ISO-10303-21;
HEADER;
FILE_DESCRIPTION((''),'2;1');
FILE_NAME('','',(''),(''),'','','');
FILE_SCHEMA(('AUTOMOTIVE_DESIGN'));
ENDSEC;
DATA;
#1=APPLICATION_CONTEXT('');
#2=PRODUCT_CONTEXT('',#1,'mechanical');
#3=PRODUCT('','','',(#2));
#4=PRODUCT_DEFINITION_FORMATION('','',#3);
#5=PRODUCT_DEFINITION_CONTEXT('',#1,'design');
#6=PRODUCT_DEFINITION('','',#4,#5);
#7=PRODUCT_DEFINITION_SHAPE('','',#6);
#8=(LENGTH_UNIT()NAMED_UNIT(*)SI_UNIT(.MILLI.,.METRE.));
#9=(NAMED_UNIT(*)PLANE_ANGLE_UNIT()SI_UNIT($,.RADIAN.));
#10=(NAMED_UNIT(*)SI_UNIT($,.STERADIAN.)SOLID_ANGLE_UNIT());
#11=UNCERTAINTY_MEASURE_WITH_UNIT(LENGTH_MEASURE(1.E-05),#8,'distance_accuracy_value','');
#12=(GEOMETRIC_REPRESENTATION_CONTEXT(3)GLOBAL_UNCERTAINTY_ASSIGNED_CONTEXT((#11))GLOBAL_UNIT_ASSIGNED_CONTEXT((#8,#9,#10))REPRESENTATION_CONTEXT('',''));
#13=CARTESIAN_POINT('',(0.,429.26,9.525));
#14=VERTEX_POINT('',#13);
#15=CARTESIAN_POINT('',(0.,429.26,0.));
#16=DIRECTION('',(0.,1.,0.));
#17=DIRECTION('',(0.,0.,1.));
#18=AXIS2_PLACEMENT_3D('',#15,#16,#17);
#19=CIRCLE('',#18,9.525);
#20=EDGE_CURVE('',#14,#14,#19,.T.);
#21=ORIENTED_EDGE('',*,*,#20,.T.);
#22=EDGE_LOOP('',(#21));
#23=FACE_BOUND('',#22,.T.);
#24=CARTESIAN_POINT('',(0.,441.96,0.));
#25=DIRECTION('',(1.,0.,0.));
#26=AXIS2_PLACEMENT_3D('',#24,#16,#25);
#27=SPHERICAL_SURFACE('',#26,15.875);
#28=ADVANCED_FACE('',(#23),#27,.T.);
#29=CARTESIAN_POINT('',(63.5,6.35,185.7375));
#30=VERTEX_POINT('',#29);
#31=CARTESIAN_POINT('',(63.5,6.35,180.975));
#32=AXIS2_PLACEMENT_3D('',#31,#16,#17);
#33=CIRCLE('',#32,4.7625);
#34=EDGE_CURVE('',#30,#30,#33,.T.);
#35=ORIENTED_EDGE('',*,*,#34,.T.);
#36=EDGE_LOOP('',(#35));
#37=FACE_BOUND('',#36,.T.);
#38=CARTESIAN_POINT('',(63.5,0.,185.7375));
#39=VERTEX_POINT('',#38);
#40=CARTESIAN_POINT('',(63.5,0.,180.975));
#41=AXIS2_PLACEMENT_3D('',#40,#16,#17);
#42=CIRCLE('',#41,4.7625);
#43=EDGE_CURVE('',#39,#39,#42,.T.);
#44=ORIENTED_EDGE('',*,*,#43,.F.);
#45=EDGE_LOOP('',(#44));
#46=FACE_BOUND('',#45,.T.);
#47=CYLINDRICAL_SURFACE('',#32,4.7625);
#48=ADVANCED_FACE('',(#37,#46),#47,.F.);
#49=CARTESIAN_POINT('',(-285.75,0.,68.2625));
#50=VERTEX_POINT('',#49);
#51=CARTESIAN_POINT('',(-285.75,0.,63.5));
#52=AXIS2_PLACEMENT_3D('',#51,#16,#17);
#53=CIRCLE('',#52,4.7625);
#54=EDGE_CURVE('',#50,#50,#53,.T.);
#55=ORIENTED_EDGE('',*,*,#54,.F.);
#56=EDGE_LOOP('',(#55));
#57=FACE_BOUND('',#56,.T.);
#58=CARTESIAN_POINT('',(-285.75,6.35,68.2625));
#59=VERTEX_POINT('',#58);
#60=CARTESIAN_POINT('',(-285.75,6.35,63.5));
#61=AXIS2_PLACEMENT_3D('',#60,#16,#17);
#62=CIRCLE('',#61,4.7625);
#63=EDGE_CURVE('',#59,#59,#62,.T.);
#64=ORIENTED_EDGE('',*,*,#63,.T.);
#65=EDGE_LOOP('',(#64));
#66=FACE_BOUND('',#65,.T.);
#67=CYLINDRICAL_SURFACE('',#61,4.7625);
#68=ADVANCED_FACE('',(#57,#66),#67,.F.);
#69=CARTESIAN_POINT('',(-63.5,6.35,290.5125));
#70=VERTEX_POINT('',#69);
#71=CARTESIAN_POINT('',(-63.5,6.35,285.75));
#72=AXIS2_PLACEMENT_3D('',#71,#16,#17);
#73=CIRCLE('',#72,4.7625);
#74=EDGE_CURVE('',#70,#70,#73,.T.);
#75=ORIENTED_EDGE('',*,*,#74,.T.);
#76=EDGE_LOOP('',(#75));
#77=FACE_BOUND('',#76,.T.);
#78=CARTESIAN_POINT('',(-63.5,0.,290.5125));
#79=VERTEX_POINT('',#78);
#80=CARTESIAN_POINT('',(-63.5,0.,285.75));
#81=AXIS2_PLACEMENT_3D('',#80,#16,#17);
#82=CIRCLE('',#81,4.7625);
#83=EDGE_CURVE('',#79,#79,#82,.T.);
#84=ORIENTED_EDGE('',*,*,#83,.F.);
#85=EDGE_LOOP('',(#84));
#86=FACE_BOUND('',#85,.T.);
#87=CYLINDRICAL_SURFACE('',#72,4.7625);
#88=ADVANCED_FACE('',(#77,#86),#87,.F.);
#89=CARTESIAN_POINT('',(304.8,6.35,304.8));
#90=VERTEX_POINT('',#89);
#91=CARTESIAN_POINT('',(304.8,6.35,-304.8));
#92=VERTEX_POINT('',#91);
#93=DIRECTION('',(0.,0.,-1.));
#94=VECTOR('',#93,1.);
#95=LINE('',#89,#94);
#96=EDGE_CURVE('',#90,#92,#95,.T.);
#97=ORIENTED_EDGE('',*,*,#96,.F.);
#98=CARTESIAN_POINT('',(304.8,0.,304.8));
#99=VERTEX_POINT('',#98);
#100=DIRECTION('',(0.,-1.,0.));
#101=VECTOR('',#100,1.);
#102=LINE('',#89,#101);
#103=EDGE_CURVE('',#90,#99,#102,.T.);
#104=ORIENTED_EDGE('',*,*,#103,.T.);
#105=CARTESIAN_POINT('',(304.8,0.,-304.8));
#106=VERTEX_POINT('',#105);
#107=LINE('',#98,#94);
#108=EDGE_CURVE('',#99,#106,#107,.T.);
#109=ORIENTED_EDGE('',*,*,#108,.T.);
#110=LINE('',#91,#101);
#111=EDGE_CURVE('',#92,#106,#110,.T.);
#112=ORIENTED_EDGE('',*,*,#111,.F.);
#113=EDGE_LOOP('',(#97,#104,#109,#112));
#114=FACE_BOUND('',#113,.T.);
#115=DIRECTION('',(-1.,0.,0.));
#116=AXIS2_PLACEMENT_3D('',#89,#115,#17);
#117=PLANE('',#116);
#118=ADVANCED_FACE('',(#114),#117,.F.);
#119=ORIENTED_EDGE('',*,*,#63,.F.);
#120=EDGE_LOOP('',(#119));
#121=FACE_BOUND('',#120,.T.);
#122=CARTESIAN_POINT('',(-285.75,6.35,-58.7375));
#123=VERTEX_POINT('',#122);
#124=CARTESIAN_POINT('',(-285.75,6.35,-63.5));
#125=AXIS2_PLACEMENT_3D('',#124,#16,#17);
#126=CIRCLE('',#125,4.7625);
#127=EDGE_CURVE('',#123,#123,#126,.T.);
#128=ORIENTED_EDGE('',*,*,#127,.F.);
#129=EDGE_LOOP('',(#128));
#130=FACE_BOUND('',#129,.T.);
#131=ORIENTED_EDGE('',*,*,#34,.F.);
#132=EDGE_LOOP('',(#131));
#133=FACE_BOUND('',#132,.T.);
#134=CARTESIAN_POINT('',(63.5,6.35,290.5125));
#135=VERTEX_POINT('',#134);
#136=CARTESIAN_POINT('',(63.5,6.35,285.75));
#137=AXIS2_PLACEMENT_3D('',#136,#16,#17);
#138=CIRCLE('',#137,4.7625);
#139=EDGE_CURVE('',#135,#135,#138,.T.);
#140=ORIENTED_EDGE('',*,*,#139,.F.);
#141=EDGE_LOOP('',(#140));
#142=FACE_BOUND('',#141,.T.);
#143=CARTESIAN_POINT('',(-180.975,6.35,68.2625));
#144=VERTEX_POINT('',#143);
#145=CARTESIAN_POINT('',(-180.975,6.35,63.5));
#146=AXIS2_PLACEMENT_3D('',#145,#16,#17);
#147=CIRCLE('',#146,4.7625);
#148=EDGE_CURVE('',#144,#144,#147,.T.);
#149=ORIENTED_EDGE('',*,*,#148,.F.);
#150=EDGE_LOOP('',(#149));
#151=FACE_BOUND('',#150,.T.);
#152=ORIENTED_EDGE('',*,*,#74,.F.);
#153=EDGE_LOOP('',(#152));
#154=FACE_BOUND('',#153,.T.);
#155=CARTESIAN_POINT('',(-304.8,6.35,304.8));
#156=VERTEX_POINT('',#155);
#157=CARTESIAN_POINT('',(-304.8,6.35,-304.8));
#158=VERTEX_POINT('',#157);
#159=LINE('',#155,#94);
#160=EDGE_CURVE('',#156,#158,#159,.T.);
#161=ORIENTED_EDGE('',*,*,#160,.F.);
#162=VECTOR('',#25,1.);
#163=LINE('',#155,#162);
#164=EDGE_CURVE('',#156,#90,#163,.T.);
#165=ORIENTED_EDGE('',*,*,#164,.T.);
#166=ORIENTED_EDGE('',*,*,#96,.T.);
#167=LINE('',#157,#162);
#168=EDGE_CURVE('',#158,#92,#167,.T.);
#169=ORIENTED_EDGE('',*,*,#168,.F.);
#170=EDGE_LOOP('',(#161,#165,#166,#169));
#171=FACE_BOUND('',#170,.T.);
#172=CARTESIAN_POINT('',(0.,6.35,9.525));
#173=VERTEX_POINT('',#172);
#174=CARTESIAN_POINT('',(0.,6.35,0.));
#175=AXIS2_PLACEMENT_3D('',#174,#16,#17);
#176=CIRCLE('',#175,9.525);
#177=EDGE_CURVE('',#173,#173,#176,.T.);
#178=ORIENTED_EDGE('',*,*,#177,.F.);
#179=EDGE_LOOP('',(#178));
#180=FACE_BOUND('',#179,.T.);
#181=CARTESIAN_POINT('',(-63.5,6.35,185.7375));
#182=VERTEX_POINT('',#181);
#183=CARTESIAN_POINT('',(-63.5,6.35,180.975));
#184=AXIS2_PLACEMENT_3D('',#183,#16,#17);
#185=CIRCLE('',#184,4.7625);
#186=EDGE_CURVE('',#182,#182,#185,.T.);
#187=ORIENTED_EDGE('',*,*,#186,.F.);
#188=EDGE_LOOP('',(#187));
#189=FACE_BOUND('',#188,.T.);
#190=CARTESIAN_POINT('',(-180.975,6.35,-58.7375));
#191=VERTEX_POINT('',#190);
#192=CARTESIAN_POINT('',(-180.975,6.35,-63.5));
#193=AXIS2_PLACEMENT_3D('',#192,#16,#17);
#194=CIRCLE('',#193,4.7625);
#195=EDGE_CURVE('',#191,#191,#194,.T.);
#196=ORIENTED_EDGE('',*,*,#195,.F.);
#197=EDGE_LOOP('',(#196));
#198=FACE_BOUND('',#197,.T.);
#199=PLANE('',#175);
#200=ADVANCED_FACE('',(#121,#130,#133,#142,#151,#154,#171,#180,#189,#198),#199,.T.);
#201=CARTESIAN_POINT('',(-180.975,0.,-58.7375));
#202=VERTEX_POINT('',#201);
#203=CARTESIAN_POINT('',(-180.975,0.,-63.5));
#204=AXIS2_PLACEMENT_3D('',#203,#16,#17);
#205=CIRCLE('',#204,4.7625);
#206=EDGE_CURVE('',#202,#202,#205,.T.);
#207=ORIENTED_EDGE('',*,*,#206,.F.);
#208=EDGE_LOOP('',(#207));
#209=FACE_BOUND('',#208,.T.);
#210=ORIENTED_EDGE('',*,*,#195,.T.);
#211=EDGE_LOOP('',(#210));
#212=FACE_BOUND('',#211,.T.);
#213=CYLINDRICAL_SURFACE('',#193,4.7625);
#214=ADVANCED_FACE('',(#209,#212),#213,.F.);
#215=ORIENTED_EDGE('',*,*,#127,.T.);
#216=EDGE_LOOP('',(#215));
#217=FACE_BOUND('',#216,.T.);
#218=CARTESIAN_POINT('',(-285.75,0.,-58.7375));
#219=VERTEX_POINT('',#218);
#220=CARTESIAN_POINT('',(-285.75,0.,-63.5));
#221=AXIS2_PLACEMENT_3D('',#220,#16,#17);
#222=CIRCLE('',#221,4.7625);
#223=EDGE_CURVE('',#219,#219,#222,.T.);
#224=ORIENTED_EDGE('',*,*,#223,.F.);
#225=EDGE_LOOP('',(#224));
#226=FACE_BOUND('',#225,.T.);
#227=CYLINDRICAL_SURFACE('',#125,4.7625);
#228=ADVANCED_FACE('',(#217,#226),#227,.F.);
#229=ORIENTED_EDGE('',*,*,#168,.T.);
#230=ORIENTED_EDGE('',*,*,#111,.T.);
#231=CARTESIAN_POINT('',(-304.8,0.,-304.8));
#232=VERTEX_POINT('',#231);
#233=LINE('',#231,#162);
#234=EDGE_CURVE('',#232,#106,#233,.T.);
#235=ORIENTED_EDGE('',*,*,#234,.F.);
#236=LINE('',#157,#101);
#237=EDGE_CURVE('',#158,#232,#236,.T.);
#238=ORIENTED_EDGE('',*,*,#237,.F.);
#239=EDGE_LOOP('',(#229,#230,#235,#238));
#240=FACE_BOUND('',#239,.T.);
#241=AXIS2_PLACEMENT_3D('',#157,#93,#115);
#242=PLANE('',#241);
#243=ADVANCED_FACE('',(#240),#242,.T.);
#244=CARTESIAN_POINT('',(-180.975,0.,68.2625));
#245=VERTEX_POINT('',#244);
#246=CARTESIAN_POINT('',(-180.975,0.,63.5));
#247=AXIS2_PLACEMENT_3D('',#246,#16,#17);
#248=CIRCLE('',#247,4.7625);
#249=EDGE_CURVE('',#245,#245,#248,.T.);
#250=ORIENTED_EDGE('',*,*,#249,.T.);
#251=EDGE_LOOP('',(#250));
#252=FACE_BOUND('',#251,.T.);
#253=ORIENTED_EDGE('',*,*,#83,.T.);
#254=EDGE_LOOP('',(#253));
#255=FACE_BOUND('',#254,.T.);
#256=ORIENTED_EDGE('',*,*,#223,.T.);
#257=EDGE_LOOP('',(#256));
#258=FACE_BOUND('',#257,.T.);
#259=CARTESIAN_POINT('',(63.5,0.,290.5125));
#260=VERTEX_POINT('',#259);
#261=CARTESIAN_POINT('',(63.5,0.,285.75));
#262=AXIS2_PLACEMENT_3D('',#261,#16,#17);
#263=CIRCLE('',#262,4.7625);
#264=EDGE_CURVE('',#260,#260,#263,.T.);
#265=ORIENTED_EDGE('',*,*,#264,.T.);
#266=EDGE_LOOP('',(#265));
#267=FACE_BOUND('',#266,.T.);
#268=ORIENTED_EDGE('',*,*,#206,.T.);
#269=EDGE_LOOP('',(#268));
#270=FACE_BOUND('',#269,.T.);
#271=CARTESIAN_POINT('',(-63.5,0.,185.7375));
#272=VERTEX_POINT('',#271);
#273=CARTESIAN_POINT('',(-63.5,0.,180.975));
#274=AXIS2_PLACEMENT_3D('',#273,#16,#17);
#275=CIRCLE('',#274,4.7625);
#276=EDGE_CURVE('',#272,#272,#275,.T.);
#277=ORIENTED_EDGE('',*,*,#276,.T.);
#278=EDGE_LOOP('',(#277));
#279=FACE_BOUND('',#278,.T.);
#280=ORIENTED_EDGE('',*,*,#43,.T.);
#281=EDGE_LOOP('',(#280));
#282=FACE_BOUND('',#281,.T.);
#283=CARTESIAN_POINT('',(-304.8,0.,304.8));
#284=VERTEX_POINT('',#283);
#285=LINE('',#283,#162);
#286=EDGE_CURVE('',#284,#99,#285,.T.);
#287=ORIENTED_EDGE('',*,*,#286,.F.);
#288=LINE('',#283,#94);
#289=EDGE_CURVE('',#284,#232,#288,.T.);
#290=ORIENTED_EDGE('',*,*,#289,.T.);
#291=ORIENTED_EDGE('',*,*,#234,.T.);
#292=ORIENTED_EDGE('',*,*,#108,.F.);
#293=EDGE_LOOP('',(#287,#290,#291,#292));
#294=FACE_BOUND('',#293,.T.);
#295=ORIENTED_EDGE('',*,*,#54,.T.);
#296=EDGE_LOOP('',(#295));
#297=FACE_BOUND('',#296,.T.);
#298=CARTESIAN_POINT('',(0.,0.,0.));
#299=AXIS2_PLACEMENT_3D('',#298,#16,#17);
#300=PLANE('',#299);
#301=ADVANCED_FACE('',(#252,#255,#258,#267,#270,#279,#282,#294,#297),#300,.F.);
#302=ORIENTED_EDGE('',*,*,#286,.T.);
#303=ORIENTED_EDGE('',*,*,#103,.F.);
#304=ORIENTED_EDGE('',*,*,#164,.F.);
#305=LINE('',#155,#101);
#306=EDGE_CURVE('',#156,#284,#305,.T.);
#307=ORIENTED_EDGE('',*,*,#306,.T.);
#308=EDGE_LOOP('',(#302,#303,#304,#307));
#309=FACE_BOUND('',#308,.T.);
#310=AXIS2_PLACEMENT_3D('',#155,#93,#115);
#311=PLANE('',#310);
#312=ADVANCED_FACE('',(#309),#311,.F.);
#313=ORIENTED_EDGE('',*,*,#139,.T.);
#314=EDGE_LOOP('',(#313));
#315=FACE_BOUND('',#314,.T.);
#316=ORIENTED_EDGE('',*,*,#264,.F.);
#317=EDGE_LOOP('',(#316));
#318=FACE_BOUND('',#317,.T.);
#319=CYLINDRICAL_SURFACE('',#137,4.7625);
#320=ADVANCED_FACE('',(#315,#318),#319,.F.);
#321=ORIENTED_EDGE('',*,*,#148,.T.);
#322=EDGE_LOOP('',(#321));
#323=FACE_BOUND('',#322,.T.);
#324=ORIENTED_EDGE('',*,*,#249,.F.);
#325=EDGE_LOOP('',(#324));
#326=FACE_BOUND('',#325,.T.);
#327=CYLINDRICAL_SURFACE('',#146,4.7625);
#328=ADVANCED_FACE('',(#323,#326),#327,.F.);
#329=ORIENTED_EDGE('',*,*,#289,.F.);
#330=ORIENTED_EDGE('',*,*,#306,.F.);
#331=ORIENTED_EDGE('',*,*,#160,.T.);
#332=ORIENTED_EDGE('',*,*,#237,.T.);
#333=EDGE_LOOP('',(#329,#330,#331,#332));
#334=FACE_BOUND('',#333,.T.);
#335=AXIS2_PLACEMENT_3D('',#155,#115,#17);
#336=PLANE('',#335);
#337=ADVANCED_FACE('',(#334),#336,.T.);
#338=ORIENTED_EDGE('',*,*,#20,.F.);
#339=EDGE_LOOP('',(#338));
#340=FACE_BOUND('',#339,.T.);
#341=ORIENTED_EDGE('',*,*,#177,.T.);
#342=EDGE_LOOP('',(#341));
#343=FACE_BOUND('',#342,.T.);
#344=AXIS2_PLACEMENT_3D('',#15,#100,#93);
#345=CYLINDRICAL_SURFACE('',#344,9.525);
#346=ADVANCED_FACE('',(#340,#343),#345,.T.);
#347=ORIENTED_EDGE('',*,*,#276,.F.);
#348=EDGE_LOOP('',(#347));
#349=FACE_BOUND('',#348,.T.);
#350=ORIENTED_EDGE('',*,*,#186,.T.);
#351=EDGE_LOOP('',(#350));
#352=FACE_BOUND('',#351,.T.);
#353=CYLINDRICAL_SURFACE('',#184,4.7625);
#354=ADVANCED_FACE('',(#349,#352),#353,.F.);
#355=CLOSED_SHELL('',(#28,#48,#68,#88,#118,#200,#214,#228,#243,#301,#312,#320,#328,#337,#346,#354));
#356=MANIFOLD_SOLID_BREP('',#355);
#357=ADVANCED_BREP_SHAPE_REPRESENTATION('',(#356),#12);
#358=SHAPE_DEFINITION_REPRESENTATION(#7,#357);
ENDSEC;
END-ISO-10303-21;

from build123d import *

# Parameters (mm, degrees)
SKETCH1_W                        = 609.6
SKETCH1_H                        = 609.6
BOSS_EXTRUDE1_DEPTH              = 6.35
F_3_8_0_375_DIAMETER_HOLE1_D     = 9.525
F_3_8_0_375_DIAMETER_HOLE1_DEPTH = 11.684
F_3_8_0_375_DIAMETER_HOLE1_TIP   = 2.861598698
SKETCH4_R                        = 9.525
BOSS_EXTRUDE2_DEPTH              = 422.91


with BuildPart() as part:
    # Sketch1 → Boss-Extrude1 (new body)
    with BuildSketch(Plane(origin=(0, 0, 0), x_dir=(1, 0, 0), z_dir=(0, 1, 0))):
        Rectangle(SKETCH1_W, SKETCH1_H)
    extrude(amount=BOSS_EXTRUDE1_DEPTH)

    # 3/8 (0.375) Diameter Hole1
    with Locations(Plane(origin=(0, 6.35, 0), x_dir=(1, 0, 0), z_dir=(0, 1, 0))):
        with Locations((-63.5, -285.75), (63.5, -285.75), (-285.75, 63.5), (-285.75, -63.5), (-63.5, -180.975), (63.5, -180.975), (-180.975, -63.5), (-180.975, 63.5)):
            Hole(F_3_8_0_375_DIAMETER_HOLE1_D / 2, depth=F_3_8_0_375_DIAMETER_HOLE1_DEPTH)
            with Locations((0, 0, -(F_3_8_0_375_DIAMETER_HOLE1_DEPTH + F_3_8_0_375_DIAMETER_HOLE1_TIP / 2))):  # 118° drill point
                Cone(0, F_3_8_0_375_DIAMETER_HOLE1_D / 2, F_3_8_0_375_DIAMETER_HOLE1_TIP, mode=Mode.SUBTRACT)

    # Sketch4 → Boss-Extrude2 (add)
    with BuildSketch(Plane(origin=(0, 6.35, 0), x_dir=(1, 0, 0), z_dir=(0, 1, 0))):
        Circle(SKETCH4_R)
    extrude(amount=BOSS_EXTRUDE2_DEPTH)

    # Sketch5 → Revolve3 (revolve)
    with BuildSketch(Plane.XY):
        with BuildLine():
            Line((0, 457.835), (0, 426.085))
            ThreePointArc((0, 426.085), (-15.875, 441.96), (0, 457.835))
        make_face()
    revolve(axis=Axis((0, 599.823656089, 0), (0, -1, 0)))


solid = part.part
